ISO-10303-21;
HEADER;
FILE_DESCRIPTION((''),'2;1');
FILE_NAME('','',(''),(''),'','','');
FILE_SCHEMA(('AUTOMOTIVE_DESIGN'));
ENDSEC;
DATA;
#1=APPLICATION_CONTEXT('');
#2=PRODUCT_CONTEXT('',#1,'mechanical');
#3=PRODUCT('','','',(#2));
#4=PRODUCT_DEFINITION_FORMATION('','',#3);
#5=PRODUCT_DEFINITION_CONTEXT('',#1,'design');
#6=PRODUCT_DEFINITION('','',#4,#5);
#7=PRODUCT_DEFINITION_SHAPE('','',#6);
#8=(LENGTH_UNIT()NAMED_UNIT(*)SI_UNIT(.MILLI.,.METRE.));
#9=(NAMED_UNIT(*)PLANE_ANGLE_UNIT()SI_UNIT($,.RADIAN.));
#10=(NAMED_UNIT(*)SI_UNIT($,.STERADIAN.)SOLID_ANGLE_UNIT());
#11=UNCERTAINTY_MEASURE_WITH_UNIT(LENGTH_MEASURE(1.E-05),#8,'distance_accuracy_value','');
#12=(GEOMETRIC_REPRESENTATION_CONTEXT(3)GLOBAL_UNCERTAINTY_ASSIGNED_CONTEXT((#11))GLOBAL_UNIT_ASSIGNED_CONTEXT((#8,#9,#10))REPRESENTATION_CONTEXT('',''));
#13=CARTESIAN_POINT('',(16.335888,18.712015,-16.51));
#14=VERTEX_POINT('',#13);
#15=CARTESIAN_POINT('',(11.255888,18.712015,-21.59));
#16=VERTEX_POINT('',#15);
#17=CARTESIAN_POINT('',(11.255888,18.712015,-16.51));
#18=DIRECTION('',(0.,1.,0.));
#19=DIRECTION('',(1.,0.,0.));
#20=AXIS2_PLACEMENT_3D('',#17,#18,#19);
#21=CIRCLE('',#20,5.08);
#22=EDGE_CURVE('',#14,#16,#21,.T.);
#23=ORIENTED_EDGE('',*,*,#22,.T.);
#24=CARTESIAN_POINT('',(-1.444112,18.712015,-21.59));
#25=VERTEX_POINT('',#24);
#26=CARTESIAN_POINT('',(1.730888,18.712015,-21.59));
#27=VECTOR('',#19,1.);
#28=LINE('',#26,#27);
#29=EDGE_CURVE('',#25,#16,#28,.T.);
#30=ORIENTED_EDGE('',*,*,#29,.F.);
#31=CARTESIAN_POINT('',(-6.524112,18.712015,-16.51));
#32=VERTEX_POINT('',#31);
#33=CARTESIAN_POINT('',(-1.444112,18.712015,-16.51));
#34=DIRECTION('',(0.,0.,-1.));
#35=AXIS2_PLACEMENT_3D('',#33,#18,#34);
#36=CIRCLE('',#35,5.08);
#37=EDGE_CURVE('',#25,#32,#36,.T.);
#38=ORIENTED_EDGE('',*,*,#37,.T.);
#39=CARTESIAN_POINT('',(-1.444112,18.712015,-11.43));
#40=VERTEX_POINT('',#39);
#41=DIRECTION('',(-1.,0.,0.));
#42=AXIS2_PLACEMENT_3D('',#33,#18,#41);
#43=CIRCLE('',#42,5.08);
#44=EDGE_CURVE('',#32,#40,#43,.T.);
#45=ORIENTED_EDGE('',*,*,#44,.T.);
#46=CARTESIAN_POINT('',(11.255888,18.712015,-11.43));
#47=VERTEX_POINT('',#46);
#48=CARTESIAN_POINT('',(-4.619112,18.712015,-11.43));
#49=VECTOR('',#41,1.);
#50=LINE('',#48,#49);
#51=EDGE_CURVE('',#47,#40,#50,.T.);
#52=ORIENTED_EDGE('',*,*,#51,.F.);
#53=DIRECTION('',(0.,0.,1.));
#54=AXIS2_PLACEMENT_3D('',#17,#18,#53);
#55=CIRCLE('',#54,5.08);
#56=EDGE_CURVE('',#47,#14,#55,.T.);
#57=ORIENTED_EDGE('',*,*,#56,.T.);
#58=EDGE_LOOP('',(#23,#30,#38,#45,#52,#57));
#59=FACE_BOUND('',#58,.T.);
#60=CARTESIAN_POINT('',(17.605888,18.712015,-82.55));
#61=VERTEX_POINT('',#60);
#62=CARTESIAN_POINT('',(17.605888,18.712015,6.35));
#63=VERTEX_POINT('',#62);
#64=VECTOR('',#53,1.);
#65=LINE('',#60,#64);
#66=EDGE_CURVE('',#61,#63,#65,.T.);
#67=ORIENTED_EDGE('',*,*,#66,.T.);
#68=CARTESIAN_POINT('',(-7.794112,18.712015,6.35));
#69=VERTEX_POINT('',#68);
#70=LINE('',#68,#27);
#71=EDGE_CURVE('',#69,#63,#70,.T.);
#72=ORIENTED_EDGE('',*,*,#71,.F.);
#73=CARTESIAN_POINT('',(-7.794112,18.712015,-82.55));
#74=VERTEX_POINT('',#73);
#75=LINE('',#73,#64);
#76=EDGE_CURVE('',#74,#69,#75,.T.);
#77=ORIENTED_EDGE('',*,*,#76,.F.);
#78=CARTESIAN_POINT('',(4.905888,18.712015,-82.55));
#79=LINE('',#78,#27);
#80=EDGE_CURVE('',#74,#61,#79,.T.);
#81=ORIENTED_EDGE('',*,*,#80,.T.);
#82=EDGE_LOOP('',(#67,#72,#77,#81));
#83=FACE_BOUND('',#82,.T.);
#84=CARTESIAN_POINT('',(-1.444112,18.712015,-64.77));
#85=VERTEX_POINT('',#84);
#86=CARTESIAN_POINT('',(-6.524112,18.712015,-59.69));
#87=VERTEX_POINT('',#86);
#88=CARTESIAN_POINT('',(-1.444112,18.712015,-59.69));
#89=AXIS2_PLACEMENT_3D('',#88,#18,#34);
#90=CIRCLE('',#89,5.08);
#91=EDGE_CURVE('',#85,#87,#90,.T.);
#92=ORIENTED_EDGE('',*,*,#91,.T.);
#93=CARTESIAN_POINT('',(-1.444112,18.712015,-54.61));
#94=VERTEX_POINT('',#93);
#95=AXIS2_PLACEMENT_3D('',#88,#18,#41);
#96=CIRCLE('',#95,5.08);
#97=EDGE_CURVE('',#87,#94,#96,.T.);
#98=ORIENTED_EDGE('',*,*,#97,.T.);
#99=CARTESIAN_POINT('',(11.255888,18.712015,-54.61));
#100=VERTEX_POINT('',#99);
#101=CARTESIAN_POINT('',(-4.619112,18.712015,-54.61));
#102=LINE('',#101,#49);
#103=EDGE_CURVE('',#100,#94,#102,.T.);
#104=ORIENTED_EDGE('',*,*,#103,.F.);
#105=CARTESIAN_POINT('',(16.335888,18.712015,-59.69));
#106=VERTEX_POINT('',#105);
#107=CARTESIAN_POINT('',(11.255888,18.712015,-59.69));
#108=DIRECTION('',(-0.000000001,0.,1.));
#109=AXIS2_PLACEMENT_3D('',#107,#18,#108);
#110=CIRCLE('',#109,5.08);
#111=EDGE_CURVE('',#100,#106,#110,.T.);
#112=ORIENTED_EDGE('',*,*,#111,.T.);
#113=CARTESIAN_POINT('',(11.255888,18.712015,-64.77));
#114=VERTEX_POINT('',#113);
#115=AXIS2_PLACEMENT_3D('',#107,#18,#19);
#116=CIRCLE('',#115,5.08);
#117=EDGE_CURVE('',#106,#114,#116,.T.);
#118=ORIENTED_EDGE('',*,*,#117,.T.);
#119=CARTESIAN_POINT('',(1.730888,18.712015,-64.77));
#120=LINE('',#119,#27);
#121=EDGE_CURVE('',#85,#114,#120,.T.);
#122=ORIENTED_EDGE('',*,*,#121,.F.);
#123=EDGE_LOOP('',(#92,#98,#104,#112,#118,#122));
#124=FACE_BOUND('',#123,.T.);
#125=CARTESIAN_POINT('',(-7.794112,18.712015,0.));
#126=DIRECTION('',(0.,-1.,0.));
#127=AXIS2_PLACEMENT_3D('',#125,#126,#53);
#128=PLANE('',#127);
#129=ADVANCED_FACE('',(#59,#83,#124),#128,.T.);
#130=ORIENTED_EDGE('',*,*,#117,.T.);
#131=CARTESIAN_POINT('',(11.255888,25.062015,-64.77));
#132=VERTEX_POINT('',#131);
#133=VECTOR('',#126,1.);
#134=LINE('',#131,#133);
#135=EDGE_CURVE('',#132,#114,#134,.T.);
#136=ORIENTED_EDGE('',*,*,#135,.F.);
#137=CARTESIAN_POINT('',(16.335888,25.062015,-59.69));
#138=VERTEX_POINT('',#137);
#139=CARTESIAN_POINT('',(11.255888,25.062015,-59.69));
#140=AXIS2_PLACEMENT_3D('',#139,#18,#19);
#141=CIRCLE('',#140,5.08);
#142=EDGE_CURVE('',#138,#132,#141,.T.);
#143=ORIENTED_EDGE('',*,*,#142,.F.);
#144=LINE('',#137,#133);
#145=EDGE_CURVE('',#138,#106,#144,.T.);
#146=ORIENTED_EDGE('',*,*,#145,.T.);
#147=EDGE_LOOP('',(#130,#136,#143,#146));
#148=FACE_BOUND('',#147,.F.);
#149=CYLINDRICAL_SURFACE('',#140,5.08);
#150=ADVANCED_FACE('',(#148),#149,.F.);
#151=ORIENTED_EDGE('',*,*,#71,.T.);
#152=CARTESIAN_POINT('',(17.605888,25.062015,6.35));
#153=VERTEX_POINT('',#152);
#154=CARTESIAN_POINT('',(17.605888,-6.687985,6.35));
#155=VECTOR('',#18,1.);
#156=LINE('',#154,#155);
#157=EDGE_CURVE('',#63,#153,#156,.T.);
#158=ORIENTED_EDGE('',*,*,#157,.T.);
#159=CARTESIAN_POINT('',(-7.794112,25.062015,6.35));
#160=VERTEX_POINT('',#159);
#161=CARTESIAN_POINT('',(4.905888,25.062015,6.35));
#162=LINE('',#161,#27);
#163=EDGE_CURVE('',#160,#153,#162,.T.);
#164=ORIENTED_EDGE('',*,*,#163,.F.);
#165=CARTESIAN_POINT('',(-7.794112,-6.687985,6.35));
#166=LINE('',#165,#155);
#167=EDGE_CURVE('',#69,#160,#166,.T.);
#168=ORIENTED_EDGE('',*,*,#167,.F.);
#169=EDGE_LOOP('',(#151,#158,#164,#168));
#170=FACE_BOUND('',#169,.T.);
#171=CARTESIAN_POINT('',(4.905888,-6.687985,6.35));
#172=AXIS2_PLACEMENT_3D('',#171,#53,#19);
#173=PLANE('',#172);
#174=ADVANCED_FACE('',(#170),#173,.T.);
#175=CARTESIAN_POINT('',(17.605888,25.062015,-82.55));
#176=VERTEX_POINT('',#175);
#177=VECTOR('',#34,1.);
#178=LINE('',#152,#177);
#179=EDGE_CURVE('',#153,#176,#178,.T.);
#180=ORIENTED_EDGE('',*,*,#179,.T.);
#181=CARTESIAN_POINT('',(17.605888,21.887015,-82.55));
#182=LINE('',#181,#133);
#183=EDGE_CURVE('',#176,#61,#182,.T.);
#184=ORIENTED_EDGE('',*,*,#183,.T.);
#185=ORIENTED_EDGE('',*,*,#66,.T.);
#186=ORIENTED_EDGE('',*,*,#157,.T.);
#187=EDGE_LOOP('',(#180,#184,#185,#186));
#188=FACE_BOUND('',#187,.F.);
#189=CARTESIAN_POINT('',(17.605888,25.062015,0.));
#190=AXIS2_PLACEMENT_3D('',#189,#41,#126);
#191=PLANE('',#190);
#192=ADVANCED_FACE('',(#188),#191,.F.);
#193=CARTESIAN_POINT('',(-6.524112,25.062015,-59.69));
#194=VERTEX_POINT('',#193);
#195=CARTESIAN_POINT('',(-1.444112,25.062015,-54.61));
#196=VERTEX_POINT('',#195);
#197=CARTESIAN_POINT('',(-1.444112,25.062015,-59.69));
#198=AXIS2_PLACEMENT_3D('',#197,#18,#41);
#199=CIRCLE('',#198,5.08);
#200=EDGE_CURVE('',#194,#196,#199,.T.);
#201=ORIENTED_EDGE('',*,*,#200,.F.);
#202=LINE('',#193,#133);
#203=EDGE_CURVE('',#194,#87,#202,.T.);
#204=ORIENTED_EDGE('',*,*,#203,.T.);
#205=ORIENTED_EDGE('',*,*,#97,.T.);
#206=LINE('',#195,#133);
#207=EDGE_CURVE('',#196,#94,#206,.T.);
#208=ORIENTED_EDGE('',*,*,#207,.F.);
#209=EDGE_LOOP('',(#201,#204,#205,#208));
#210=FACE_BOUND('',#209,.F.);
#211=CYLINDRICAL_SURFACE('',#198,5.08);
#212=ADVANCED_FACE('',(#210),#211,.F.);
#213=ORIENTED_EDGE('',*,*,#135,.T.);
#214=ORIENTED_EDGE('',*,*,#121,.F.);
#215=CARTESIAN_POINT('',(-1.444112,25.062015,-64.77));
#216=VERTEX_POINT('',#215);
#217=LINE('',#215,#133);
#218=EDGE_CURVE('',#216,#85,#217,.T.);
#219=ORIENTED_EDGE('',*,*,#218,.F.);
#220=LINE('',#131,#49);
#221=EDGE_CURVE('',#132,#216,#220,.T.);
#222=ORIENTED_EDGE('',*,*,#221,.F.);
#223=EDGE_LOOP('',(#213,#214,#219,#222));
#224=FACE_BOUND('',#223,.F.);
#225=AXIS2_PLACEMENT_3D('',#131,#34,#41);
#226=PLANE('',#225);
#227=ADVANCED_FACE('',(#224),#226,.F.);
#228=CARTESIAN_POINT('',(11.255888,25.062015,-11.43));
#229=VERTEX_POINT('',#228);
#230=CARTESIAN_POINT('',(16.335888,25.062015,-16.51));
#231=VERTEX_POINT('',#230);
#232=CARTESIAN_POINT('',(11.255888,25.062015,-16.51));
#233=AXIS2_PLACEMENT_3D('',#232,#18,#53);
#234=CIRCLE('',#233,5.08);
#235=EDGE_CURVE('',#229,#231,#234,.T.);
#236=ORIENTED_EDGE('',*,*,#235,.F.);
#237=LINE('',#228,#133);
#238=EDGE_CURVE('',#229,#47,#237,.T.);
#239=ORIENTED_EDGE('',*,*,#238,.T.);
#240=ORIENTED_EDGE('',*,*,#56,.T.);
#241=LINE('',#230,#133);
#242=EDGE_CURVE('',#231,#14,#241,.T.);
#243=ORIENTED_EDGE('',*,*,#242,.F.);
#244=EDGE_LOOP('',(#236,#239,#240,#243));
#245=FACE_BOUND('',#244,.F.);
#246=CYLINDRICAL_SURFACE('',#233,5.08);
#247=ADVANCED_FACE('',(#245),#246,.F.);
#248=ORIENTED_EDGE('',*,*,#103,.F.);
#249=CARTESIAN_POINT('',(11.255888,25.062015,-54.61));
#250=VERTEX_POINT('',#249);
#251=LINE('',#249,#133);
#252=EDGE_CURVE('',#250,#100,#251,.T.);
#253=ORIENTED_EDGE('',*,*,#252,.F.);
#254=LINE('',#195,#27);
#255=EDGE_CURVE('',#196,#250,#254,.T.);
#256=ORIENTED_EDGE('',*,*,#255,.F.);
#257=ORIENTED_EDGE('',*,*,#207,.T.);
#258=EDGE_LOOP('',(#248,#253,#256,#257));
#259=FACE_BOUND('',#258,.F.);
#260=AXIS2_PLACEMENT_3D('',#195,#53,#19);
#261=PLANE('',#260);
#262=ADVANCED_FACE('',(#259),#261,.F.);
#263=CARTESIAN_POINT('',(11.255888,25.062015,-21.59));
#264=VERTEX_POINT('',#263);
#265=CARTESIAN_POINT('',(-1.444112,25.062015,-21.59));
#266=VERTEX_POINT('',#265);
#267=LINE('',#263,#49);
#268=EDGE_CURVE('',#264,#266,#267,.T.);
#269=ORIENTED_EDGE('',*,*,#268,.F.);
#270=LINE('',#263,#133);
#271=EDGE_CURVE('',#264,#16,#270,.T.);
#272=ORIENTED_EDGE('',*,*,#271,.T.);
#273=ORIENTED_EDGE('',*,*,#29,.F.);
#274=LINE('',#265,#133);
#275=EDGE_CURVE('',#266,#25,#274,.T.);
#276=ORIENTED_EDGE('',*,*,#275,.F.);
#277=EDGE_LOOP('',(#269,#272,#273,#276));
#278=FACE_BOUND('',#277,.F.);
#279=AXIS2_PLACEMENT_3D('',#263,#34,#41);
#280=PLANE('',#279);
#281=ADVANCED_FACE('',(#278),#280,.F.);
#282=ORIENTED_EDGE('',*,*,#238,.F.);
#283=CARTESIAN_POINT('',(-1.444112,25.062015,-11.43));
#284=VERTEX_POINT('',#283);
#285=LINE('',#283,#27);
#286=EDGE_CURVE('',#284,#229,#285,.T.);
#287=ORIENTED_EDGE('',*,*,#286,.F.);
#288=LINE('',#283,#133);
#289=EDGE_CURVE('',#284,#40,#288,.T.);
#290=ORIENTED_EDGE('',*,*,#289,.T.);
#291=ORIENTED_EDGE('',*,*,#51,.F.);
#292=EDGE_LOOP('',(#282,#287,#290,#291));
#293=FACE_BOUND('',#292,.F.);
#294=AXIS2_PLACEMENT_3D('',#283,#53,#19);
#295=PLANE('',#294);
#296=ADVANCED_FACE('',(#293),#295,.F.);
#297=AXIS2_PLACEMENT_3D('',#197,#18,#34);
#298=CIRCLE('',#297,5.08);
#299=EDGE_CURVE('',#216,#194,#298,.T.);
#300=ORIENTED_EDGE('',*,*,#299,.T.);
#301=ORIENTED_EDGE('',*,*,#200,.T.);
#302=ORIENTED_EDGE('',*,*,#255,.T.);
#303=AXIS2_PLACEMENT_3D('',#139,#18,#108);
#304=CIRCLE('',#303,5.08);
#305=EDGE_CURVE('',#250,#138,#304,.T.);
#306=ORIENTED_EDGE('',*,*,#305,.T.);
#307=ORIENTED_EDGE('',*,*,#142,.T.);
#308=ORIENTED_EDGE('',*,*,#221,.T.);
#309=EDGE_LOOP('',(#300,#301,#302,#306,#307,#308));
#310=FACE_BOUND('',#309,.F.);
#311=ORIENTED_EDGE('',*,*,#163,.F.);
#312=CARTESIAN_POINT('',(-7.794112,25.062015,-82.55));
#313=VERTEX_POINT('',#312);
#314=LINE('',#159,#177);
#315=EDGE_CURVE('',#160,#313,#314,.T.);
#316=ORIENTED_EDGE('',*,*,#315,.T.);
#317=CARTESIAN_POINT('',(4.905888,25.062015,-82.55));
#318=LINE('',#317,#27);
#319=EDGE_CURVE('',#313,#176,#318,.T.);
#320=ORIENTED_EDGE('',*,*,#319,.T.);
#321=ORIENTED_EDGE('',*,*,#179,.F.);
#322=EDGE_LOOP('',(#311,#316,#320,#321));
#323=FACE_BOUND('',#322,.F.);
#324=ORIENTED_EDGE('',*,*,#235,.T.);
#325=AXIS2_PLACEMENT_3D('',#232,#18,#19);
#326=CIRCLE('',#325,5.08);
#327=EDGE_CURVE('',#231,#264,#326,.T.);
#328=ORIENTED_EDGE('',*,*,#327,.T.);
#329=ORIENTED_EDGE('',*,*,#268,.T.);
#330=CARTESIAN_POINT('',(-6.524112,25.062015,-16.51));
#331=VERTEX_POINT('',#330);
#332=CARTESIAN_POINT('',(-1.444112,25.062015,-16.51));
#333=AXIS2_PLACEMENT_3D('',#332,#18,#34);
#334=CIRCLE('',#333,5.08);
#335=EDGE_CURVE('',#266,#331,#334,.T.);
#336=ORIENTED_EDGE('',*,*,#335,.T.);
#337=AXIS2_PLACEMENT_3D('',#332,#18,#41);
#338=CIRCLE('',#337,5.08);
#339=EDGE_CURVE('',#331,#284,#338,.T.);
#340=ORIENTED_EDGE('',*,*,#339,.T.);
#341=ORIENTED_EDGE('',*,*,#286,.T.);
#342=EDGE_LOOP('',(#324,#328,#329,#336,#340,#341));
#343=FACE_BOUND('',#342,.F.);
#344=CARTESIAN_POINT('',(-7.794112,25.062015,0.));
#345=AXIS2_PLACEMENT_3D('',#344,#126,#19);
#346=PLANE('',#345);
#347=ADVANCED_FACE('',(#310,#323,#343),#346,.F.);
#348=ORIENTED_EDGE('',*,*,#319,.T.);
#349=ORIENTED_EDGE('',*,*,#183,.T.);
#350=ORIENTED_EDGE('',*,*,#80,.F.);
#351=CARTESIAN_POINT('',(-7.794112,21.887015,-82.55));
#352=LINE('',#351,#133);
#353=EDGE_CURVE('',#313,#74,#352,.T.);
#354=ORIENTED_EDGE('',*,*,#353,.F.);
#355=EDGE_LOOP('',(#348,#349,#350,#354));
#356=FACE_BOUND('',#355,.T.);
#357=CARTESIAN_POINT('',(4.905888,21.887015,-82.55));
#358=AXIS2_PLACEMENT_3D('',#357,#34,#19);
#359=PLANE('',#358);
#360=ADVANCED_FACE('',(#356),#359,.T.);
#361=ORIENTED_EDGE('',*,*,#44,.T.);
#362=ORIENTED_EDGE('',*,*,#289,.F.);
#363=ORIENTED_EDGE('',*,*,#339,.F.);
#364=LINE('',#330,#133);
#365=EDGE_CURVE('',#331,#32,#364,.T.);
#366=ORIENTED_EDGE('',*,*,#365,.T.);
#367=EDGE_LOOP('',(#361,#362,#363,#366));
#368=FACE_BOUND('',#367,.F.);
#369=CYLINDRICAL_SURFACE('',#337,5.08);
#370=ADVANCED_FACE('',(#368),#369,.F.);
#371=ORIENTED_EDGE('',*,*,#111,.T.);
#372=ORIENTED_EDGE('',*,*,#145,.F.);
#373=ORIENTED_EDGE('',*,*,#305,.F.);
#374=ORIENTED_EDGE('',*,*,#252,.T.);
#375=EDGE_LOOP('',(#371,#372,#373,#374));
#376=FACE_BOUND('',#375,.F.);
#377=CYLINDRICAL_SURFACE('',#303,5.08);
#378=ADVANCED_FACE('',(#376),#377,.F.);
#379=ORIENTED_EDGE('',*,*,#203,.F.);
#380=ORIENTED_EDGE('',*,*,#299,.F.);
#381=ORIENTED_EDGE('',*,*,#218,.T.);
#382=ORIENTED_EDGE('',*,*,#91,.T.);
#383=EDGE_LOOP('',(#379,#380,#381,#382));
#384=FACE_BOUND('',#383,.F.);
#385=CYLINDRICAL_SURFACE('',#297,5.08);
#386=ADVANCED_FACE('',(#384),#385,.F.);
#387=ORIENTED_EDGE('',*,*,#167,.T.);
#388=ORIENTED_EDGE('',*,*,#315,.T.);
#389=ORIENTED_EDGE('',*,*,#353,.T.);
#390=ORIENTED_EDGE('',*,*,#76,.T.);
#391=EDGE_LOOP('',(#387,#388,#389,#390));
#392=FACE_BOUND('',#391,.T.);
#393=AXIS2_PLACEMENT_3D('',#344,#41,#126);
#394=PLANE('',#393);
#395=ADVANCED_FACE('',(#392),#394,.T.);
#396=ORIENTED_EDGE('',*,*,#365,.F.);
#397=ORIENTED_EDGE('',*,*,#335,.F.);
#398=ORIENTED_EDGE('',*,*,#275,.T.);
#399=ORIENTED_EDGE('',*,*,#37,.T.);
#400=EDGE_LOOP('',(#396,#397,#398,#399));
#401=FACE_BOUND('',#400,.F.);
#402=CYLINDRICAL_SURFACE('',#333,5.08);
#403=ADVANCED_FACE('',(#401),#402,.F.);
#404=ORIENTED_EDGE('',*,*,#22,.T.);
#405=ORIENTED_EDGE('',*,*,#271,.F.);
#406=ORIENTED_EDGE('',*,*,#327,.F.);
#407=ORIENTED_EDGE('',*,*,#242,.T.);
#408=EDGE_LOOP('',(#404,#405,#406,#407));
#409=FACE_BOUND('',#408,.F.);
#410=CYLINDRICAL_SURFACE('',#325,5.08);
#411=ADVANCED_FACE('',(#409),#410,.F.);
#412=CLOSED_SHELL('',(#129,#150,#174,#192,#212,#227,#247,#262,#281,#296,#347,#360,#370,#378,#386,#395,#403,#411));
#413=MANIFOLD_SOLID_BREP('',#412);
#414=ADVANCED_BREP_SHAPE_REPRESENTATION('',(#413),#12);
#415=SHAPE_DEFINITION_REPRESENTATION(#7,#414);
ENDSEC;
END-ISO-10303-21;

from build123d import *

# Parameters (mm, degrees)
F0_W     = 25.4
F0_H     = 63.5
F1_DEPTH = 6.35
F2_W     = 25.4
F2_H     = 6.35
F3_DEPTH = 82.55
F5_DEPTH = 25.4
F6_W     = 57.15
F6_H     = 6.35
F7_DEPTH = 25.4


with BuildPart() as f1:
    # F0 (on Top) → F1 (new body)
    with BuildSketch(Plane.XY):
        with Locations((4.9058877259, -6.6879848838)):
            Rectangle(F0_W, F0_H)
    extrude(amount=F1_DEPTH)

    # F2 (on face) → F3 (join)
    with BuildSketch(Plane(origin=(0, 0, 0), x_dir=(1, 0, 0), z_dir=(0, 0, -1))):
        with Locations((4.9058877259, -21.8870151162)):
            Rectangle(F2_W, F2_H)
    extrude(amount=F3_DEPTH)

    # F4 (on face) → F5 (cut)
    with BuildSketch(Plane(origin=(0, 25.0620151162, 0), x_dir=(-1, 0, 0), z_dir=(0, 1, 0))):
        with BuildLine():
            Line((-6.1758877259, -16.51), (-11.2558877259, -16.51))
            Line((-11.2558877259, -16.51), (-11.2558877259, -21.59))
            ThreePointArc((-11.2558877259, -21.59), (-7.6637852775, -20.1021024484), (-6.1758877259, -16.51))
        make_face()
        with BuildLine():
            Line((-11.2558877259, -21.59), (-11.2558877259, -16.51))
            Line((-11.2558877259, -16.51), (-16.3358877259, -16.51))
            ThreePointArc((-16.3358877259, -16.51), (-14.8479901744, -20.1021024484), (-11.2558877259, -21.59))
        make_face()
        with BuildLine():
            Line((-11.2558877259, -16.51), (-11.2558877259, -11.43))
            ThreePointArc((-11.2558877259, -11.43), (-14.8479901744, -12.9178975516), (-16.3358877259, -16.51))
            Line((-16.3358877259, -16.51), (-11.2558877259, -16.51))
        make_face()
        with BuildLine():
            Line((1.4441122717, -11.43), (-11.2558877259, -11.43))
            ThreePointArc((-11.2558877259, -11.43), (-7.6637852775, -12.9178975516), (-6.1758877259, -16.51))
            Line((-6.1758877259, -16.51), (-3.6358877259, -16.51))
            ThreePointArc((-3.6358877259, -16.51), (-2.1479901752, -12.9178975524), (1.4441122717, -11.43))
        make_face()
        with BuildLine():
            Line((1.4441122741, -16.51), (1.4441122741, -11.43))
            ThreePointArc((1.4441122717, -11.43), (-2.1479901752, -12.9178975524), (-3.6358877259, -16.51))
            Line((-3.6358877259, -16.51), (1.4441122741, -16.51))
        make_face()
        with BuildLine():
            ThreePointArc((6.5241122741, -16.51), (5.0362147216, -12.9178975507), (1.4441122717, -11.43))
            Line((1.4441122741, -11.43), (1.4441122741, -16.51))
            Line((1.4441122741, -16.51), (6.5241122741, -16.51))
        make_face()
        with BuildLine():
            Line((6.5241122741, -16.51), (1.4441122741, -16.51))
            Line((1.4441122741, -16.51), (1.4441122741, -21.59))
            ThreePointArc((1.4441122741, -21.59), (5.0362147225, -20.1021024484), (6.5241122741, -16.51))
        make_face()
        with BuildLine():
            Line((-3.6358877259, -16.51), (-6.1758877259, -16.51))
            ThreePointArc((-6.1758877259, -16.51), (-7.6637852775, -20.1021024484), (-11.2558877259, -21.59))
            Line((-11.2558877259, -21.59), (1.4441122741, -21.59))
            ThreePointArc((1.4441122741, -21.59), (-2.1479901744, -20.1021024484), (-3.6358877259, -16.51))
        make_face()
        with BuildLine():
            Line((1.4441122741, -21.59), (1.4441122741, -16.51))
            Line((1.4441122741, -16.51), (-3.6358877259, -16.51))
            ThreePointArc((-3.6358877259, -16.51), (-2.1479901744, -20.1021024484), (1.4441122741, -21.59))
        make_face()
        with BuildLine():
            ThreePointArc((-6.1758877259, -16.51), (-7.6637852775, -12.9178975516), (-11.2558877259, -11.43))
            Line((-11.2558877259, -11.43), (-11.2558877259, -16.51))
            Line((-11.2558877259, -16.51), (-6.1758877259, -16.51))
        make_face()
        with BuildLine():
            Line((-11.2558877259, -59.69), (-11.2558877259, -54.61))
            ThreePointArc((-11.2558877221, -54.61), (-14.847990173, -56.0978975502), (-16.3358877259, -59.69))
            Line((-16.3358877259, -59.69), (-11.2558877259, -59.69))
        make_face()
        with BuildLine():
            ThreePointArc((-6.1758877259, -59.69), (-7.6637852762, -56.0978975529), (-11.2558877221, -54.61))
            Line((-11.2558877259, -54.61), (-11.2558877259, -59.69))
            Line((-11.2558877259, -59.69), (-6.1758877259, -59.69))
        make_face()
        with BuildLine():
            Line((-6.1758877259, -59.69), (-11.2558877259, -59.69))
            Line((-11.2558877259, -59.69), (-11.2558877259, -64.77))
            ThreePointArc((-11.2558877259, -64.77), (-7.6637852775, -63.2821024484), (-6.1758877259, -59.69))
        make_face()
        with BuildLine():
            Line((-11.2558877259, -64.77), (-11.2558877259, -59.69))
            Line((-11.2558877259, -59.69), (-16.3358877259, -59.69))
            ThreePointArc((-16.3358877259, -59.69), (-14.8479901744, -63.2821024484), (-11.2558877259, -64.77))
        make_face()
        with BuildLine():
            Line((1.4441122741, -54.61), (-11.2558877221, -54.61))
            ThreePointArc((-11.2558877221, -54.61), (-7.6637852762, -56.0978975529), (-6.1758877259, -59.69))
            Line((-6.1758877259, -59.69), (-3.6358877259, -59.69))
            ThreePointArc((-3.6358877259, -59.69), (-2.1479901744, -56.0978975516), (1.4441122741, -54.61))
        make_face()
        with BuildLine():
            Line((1.4441122741, -59.69), (1.4441122741, -54.61))
            ThreePointArc((1.4441122741, -54.61), (-2.1479901744, -56.0978975516), (-3.6358877259, -59.69))
            Line((-3.6358877259, -59.69), (1.4441122741, -59.69))
        make_face()
        with BuildLine():
            Line((1.4441122741, -64.77), (1.4441122741, -59.69))
            Line((1.4441122741, -59.69), (-3.6358877259, -59.69))
            ThreePointArc((-3.6358877259, -59.69), (-2.1479901744, -63.2821024484), (1.4441122741, -64.77))
        make_face()
        with BuildLine():
            Line((-3.6358877259, -59.69), (-6.1758877259, -59.69))
            ThreePointArc((-6.1758877259, -59.69), (-7.6637852775, -63.2821024484), (-11.2558877259, -64.77))
            Line((-11.2558877259, -64.77), (1.4441122741, -64.77))
            ThreePointArc((1.4441122741, -64.77), (-2.1479901744, -63.2821024484), (-3.6358877259, -59.69))
        make_face()
        with BuildLine():
            ThreePointArc((6.5241122741, -59.69), (5.0362147225, -56.0978975516), (1.4441122741, -54.61))
            Line((1.4441122741, -54.61), (1.4441122741, -59.69))
            Line((1.4441122741, -59.69), (6.5241122741, -59.69))
        make_face()
        with BuildLine():
            Line((6.5241122741, -59.69), (1.4441122741, -59.69))
            Line((1.4441122741, -59.69), (1.4441122741, -64.77))
            ThreePointArc((1.4441122741, -64.77), (5.0362147225, -63.2821024484), (6.5241122741, -59.69))
        make_face()
    extrude(amount=-F5_DEPTH, mode=Mode.SUBTRACT)

    # F6 (on face) → F7 (cut)
    with BuildSketch(Plane(origin=(-7.7941122741, 0, 0), x_dir=(0, -1, 0), z_dir=(-1, 0, 0))):
        with Locations((9.8629848838, 3.175)):
            Rectangle(F6_W, F6_H)
    extrude(amount=-F7_DEPTH, mode=Mode.SUBTRACT)


solid = f1.part
